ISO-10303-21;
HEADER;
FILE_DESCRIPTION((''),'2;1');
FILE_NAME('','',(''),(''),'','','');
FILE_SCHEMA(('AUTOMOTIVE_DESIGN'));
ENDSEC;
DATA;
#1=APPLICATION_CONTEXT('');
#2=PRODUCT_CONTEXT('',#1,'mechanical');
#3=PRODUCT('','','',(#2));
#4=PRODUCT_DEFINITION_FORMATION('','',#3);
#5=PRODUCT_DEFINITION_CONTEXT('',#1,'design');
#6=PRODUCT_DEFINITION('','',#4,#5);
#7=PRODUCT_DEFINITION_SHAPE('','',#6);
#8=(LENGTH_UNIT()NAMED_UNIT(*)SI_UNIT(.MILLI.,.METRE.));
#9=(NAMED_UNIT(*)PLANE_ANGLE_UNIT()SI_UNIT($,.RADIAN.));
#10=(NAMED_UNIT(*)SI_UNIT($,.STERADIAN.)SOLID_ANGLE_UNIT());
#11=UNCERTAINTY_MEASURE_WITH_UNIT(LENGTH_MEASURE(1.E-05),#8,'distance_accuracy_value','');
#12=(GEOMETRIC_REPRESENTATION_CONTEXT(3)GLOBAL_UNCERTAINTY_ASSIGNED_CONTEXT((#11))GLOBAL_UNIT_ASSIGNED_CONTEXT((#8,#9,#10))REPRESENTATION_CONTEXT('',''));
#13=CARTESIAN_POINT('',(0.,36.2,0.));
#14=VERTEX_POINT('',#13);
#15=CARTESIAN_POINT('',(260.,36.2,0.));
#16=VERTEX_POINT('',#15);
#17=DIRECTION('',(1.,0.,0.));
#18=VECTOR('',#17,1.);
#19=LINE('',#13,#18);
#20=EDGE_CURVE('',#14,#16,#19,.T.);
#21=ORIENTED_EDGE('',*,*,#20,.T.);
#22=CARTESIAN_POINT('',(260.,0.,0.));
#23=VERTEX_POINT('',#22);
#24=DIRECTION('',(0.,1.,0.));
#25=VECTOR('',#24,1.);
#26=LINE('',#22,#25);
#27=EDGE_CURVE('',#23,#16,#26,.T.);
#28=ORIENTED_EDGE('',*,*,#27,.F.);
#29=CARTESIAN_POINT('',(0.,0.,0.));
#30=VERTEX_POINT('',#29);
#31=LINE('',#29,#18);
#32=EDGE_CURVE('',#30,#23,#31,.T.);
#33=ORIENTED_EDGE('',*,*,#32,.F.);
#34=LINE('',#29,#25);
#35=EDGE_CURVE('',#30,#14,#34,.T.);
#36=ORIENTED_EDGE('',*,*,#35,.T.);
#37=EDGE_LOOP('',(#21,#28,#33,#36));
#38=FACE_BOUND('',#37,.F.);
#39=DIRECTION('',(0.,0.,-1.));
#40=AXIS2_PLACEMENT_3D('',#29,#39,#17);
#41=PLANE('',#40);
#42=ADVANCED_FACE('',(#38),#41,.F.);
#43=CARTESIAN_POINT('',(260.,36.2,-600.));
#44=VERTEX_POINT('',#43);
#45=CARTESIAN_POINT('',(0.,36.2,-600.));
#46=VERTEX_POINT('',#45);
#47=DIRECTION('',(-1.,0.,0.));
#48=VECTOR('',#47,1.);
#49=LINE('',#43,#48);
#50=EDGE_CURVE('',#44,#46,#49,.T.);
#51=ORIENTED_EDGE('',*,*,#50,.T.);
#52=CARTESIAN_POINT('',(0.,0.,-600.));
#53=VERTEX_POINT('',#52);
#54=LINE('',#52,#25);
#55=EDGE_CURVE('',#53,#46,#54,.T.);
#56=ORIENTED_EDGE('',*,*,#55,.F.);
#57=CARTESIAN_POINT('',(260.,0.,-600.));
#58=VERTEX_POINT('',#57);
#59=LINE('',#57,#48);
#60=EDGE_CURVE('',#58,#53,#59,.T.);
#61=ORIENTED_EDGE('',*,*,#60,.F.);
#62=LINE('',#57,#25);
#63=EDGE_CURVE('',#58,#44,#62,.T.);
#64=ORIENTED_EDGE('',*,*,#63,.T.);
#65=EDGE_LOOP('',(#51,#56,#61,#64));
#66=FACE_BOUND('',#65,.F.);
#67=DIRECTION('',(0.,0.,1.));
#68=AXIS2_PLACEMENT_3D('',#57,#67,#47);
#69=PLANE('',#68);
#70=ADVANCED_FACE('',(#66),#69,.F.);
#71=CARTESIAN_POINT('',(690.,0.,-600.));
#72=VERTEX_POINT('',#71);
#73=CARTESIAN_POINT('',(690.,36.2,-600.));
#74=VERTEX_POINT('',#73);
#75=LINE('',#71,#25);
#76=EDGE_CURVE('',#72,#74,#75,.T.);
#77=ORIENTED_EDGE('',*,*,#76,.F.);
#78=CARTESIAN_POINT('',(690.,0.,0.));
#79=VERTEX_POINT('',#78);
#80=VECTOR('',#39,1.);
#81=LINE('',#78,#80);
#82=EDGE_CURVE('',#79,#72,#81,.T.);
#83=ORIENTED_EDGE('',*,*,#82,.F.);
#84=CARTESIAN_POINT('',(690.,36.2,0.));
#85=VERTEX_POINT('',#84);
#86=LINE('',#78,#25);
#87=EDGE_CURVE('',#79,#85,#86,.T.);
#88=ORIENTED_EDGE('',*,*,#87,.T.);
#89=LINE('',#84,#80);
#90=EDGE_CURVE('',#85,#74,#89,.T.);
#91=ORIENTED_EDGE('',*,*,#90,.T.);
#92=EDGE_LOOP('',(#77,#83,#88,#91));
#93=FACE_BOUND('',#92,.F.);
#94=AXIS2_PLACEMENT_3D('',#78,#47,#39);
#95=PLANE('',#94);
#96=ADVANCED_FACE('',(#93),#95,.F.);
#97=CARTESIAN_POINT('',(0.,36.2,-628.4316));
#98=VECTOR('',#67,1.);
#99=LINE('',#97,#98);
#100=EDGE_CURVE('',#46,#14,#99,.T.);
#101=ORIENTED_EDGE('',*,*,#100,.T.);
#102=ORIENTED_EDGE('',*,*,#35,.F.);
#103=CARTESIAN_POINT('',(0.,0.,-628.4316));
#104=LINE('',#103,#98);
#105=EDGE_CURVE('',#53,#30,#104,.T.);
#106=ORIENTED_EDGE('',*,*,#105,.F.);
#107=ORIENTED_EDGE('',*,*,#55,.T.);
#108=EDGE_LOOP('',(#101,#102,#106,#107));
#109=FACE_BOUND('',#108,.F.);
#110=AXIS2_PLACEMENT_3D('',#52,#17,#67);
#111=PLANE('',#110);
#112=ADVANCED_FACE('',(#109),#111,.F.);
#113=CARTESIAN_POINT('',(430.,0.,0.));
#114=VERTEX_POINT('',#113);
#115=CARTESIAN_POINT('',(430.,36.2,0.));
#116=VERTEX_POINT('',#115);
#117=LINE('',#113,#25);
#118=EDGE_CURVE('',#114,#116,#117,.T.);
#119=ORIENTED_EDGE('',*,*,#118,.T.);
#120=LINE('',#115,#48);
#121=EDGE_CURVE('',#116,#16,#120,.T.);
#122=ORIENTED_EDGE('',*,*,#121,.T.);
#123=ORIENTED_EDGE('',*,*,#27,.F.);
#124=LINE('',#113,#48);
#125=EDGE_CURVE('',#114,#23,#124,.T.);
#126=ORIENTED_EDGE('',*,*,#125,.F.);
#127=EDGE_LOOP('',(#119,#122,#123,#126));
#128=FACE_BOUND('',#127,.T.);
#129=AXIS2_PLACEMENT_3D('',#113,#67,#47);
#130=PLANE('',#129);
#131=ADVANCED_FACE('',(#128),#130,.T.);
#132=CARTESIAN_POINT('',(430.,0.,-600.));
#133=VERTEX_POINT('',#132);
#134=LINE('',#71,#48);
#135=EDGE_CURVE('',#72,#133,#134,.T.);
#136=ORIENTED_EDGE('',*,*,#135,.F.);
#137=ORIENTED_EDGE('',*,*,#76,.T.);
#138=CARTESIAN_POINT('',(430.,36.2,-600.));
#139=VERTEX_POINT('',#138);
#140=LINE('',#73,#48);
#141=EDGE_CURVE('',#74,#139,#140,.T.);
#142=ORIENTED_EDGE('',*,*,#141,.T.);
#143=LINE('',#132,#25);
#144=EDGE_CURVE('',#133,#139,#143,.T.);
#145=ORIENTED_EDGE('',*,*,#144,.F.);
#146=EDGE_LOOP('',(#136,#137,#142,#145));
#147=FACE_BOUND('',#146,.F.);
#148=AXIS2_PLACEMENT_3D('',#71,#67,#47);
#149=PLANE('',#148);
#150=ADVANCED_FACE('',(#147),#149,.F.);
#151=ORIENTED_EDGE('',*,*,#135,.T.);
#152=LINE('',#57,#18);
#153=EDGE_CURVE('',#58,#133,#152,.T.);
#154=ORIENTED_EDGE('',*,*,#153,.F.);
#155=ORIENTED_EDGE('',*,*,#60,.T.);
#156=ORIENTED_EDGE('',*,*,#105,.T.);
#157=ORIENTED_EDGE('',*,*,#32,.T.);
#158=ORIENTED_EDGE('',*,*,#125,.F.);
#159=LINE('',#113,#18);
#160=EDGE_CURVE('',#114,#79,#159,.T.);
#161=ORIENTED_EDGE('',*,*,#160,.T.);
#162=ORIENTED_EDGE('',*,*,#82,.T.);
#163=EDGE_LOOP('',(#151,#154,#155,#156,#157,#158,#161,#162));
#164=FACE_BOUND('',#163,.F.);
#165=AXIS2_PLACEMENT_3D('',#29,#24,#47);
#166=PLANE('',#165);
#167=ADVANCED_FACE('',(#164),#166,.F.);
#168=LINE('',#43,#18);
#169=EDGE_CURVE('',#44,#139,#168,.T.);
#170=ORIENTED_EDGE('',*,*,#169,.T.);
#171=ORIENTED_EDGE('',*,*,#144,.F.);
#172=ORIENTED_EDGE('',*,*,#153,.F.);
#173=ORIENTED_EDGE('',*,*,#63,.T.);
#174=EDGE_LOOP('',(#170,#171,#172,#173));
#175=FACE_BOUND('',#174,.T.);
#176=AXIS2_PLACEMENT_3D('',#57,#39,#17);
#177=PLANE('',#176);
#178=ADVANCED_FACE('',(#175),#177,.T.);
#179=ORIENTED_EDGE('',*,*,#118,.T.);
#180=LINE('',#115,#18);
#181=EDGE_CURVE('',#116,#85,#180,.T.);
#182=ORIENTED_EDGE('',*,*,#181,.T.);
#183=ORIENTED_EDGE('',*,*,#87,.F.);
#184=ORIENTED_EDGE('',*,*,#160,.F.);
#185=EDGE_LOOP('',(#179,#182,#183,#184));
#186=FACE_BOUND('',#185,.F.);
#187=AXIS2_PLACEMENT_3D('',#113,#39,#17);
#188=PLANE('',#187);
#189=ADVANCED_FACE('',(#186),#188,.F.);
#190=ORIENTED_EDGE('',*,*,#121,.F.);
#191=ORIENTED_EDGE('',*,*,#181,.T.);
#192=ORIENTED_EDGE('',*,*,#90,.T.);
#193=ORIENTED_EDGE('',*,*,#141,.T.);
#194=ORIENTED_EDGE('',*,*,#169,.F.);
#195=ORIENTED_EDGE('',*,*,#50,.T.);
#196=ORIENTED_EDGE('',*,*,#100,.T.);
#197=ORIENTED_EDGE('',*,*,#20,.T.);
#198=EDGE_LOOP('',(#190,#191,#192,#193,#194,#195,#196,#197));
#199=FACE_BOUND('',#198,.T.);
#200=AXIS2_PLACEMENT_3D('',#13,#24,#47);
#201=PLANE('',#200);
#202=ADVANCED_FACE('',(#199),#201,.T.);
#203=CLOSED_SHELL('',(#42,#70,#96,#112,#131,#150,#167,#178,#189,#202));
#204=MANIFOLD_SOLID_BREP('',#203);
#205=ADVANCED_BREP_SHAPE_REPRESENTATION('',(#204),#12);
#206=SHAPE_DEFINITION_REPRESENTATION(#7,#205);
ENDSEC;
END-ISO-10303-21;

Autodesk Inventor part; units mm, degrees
ref_plane "YZ Plane" through (0, 0, 0) normal (1, 0, 0) x (0, 1, 0)
ref_plane "XZ Plane" through (0, 0, 0) normal (0, 1, 0) x (-1, 0, 0)
ref_plane "XY Plane" through (0, 0, 0) normal (0, 0, 1) x (1, 0, 0)
sketch "Boceto1" plane through (0, 0, 0) normal (0, 1, 0) x (-1, 0, 0)
  line L0 (-690, 0) -> (-690, -628.4316)
  line L1 (0, -628.4316) -> (0, 0)
  line L2 (0, 0) -> (-260, 0)
  line L3 (-430, 0) -> (-690, 0)
  line L4 (-690, -600) -> (-430, -600)
  line L5 (-260, -600) -> (0, -600)
  line L6 (-260, -600) -> (-430, -600)
  line L7 (-430, 0) -> (-260, 0)
  point P0 (0, -600)
  dimension "d16" = 690
  dimension "d21" = 600
  dimension "d22" = 600
extrude "Extrusión1" add sketch "Boceto1" along normal blind 36.2
properties part number "piso2" material "Aluminio 6061"
